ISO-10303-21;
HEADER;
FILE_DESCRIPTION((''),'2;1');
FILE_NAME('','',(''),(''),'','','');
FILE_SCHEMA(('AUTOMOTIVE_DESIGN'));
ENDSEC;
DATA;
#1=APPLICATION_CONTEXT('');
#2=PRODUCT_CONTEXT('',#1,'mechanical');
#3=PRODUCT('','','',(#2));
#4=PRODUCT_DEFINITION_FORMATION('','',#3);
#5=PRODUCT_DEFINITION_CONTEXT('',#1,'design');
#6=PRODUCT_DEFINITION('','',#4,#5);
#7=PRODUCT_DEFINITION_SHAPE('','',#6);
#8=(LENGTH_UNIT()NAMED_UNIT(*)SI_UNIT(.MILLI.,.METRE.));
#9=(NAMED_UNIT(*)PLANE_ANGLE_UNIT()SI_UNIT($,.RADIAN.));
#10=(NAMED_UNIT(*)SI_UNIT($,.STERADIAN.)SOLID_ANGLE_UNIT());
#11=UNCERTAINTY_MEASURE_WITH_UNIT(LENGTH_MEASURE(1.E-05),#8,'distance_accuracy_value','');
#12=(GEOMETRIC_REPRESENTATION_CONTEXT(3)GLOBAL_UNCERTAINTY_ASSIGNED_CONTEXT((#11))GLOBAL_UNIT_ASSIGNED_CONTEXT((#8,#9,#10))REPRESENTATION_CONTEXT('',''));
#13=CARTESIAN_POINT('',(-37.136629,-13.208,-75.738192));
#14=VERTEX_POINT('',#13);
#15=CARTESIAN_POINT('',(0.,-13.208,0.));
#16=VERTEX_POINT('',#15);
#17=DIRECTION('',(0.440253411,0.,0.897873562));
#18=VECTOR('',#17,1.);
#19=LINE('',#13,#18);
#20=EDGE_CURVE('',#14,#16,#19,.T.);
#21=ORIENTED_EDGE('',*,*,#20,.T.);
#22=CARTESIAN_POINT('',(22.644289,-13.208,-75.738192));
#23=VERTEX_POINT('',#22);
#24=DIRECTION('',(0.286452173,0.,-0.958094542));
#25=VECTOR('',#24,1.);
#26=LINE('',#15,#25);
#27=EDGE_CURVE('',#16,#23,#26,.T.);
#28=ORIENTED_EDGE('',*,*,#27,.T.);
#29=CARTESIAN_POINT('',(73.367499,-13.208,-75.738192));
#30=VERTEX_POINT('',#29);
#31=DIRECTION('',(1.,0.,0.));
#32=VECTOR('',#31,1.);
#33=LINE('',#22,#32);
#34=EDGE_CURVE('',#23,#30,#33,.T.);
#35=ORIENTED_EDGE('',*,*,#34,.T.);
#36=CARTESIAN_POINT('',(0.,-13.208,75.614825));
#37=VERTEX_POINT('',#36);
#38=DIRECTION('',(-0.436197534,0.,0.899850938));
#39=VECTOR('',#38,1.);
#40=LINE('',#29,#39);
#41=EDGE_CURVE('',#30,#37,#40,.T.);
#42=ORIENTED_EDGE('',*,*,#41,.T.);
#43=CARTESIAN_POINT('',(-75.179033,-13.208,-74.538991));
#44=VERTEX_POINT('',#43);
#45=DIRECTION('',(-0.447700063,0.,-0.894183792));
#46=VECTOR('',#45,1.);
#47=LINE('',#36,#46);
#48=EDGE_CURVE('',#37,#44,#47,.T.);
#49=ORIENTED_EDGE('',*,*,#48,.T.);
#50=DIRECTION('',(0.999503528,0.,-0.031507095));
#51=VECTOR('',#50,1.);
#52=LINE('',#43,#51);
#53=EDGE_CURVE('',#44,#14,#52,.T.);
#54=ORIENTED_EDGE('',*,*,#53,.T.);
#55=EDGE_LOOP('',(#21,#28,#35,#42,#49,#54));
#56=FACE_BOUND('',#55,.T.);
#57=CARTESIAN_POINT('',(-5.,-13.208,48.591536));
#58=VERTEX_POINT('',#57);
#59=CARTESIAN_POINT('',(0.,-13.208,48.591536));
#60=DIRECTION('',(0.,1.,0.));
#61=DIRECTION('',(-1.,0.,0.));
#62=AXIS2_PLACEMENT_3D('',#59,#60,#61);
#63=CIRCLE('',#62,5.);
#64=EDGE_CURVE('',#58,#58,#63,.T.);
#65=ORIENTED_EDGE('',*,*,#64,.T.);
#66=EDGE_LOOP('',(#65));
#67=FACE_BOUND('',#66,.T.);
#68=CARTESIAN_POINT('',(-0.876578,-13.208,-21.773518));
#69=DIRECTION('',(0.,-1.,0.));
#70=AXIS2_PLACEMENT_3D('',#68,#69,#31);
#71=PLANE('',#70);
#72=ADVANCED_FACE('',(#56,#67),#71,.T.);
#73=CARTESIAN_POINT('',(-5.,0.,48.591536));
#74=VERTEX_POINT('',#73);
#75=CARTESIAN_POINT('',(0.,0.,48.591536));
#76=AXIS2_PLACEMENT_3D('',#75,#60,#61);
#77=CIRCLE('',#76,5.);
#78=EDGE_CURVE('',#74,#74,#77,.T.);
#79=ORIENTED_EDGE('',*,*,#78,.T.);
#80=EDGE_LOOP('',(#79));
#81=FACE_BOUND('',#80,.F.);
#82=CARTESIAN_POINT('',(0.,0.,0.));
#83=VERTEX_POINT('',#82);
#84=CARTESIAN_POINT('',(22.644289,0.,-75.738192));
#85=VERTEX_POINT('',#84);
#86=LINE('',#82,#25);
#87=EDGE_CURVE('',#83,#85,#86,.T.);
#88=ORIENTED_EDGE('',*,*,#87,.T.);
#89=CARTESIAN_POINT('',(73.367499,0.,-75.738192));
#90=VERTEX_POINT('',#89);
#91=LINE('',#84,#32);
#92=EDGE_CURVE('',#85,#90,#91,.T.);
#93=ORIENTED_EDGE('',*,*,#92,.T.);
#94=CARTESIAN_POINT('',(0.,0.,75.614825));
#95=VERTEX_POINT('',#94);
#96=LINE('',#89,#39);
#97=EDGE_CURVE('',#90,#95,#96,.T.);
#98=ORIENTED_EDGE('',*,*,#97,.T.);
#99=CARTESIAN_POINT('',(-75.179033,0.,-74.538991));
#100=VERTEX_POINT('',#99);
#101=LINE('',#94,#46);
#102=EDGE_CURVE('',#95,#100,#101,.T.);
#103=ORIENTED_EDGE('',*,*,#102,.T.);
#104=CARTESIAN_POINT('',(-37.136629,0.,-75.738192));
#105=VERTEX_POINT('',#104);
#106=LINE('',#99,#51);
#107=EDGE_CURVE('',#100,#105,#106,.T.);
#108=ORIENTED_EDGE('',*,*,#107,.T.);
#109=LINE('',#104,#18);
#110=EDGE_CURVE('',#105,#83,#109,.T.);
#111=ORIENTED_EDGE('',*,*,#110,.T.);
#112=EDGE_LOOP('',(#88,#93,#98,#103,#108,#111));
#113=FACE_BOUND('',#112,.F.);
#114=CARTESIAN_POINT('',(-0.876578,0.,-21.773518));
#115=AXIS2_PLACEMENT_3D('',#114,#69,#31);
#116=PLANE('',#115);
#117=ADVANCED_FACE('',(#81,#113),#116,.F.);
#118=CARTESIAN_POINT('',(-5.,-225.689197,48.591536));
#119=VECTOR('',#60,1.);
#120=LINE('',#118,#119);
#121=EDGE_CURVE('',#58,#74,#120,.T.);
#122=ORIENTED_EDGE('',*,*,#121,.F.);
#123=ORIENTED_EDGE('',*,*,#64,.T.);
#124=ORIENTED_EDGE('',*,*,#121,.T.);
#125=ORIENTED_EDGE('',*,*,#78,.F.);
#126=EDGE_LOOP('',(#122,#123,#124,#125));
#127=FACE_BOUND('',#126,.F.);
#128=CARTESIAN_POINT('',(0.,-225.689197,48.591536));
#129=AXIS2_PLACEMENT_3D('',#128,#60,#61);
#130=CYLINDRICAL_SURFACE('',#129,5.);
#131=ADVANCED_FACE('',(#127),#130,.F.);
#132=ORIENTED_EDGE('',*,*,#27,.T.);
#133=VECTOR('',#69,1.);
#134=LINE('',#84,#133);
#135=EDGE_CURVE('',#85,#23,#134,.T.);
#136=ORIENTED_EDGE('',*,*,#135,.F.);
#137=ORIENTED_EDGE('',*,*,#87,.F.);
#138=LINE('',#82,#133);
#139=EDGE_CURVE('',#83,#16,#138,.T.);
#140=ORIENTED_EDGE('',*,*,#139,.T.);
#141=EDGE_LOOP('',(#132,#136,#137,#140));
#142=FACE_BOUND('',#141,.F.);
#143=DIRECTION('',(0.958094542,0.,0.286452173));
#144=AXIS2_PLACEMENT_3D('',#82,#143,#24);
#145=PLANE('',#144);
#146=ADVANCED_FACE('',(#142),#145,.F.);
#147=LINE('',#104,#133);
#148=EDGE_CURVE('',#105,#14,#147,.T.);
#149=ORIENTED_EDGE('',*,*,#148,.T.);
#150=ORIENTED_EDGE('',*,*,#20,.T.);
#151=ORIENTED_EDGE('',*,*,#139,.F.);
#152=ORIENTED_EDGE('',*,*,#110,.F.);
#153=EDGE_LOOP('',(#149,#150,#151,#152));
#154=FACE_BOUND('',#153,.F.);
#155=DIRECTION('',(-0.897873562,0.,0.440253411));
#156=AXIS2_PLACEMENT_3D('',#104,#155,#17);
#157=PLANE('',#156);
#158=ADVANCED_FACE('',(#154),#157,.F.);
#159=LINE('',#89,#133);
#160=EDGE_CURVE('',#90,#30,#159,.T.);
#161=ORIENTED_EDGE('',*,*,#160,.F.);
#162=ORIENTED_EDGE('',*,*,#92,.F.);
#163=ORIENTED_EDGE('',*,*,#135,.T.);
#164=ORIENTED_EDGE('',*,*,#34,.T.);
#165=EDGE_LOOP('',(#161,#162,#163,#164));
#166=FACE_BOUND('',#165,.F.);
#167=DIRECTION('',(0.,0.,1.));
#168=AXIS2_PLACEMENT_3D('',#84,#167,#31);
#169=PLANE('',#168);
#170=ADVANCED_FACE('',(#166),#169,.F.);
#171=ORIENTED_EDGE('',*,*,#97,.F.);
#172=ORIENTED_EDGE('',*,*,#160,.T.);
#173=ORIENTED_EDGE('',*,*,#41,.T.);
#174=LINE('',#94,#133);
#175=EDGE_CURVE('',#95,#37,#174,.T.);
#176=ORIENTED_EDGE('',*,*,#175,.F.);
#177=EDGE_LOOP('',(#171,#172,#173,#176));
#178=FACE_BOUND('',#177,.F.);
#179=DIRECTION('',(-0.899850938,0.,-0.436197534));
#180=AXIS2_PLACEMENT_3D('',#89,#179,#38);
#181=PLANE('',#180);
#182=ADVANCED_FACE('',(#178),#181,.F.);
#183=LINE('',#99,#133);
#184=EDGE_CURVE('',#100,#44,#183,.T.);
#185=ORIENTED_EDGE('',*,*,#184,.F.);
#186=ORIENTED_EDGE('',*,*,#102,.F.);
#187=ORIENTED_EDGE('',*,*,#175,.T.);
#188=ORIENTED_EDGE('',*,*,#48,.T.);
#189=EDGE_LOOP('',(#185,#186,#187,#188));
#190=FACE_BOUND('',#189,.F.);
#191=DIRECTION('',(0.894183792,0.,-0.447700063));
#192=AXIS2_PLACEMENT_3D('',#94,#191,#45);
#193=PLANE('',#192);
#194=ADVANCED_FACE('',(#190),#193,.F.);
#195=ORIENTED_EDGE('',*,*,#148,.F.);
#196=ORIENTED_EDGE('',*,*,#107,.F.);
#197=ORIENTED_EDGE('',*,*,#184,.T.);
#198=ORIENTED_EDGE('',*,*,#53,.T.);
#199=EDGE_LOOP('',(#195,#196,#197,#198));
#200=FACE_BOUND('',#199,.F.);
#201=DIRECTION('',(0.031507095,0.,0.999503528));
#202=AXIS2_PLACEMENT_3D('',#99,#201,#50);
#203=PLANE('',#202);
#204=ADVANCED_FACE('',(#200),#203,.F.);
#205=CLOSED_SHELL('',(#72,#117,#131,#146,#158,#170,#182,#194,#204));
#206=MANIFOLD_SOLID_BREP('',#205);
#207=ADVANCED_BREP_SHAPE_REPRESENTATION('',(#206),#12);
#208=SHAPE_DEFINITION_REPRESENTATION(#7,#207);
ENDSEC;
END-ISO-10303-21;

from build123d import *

# Parameters (mm, degrees)
F1_DEPTH = 13.208
F3_D     = 10


with BuildPart() as f1:
    # F0 (on Front) → F1 (new body)
    with BuildSketch(Plane.XZ):
        Polygon((0, 75.614825), (-75.179033, -74.538991), (-37.136629, -75.738192), (0, 0), (22.644289, -75.738192), (73.367499, -75.738192), align=None)
    extrude(amount=F1_DEPTH)

    # F3 (through all)
    with Locations(Plane.XZ.offset(13.208)):
        with Locations((0, 48.591536)):
            Hole(F3_D / 2)


solid = f1.part
